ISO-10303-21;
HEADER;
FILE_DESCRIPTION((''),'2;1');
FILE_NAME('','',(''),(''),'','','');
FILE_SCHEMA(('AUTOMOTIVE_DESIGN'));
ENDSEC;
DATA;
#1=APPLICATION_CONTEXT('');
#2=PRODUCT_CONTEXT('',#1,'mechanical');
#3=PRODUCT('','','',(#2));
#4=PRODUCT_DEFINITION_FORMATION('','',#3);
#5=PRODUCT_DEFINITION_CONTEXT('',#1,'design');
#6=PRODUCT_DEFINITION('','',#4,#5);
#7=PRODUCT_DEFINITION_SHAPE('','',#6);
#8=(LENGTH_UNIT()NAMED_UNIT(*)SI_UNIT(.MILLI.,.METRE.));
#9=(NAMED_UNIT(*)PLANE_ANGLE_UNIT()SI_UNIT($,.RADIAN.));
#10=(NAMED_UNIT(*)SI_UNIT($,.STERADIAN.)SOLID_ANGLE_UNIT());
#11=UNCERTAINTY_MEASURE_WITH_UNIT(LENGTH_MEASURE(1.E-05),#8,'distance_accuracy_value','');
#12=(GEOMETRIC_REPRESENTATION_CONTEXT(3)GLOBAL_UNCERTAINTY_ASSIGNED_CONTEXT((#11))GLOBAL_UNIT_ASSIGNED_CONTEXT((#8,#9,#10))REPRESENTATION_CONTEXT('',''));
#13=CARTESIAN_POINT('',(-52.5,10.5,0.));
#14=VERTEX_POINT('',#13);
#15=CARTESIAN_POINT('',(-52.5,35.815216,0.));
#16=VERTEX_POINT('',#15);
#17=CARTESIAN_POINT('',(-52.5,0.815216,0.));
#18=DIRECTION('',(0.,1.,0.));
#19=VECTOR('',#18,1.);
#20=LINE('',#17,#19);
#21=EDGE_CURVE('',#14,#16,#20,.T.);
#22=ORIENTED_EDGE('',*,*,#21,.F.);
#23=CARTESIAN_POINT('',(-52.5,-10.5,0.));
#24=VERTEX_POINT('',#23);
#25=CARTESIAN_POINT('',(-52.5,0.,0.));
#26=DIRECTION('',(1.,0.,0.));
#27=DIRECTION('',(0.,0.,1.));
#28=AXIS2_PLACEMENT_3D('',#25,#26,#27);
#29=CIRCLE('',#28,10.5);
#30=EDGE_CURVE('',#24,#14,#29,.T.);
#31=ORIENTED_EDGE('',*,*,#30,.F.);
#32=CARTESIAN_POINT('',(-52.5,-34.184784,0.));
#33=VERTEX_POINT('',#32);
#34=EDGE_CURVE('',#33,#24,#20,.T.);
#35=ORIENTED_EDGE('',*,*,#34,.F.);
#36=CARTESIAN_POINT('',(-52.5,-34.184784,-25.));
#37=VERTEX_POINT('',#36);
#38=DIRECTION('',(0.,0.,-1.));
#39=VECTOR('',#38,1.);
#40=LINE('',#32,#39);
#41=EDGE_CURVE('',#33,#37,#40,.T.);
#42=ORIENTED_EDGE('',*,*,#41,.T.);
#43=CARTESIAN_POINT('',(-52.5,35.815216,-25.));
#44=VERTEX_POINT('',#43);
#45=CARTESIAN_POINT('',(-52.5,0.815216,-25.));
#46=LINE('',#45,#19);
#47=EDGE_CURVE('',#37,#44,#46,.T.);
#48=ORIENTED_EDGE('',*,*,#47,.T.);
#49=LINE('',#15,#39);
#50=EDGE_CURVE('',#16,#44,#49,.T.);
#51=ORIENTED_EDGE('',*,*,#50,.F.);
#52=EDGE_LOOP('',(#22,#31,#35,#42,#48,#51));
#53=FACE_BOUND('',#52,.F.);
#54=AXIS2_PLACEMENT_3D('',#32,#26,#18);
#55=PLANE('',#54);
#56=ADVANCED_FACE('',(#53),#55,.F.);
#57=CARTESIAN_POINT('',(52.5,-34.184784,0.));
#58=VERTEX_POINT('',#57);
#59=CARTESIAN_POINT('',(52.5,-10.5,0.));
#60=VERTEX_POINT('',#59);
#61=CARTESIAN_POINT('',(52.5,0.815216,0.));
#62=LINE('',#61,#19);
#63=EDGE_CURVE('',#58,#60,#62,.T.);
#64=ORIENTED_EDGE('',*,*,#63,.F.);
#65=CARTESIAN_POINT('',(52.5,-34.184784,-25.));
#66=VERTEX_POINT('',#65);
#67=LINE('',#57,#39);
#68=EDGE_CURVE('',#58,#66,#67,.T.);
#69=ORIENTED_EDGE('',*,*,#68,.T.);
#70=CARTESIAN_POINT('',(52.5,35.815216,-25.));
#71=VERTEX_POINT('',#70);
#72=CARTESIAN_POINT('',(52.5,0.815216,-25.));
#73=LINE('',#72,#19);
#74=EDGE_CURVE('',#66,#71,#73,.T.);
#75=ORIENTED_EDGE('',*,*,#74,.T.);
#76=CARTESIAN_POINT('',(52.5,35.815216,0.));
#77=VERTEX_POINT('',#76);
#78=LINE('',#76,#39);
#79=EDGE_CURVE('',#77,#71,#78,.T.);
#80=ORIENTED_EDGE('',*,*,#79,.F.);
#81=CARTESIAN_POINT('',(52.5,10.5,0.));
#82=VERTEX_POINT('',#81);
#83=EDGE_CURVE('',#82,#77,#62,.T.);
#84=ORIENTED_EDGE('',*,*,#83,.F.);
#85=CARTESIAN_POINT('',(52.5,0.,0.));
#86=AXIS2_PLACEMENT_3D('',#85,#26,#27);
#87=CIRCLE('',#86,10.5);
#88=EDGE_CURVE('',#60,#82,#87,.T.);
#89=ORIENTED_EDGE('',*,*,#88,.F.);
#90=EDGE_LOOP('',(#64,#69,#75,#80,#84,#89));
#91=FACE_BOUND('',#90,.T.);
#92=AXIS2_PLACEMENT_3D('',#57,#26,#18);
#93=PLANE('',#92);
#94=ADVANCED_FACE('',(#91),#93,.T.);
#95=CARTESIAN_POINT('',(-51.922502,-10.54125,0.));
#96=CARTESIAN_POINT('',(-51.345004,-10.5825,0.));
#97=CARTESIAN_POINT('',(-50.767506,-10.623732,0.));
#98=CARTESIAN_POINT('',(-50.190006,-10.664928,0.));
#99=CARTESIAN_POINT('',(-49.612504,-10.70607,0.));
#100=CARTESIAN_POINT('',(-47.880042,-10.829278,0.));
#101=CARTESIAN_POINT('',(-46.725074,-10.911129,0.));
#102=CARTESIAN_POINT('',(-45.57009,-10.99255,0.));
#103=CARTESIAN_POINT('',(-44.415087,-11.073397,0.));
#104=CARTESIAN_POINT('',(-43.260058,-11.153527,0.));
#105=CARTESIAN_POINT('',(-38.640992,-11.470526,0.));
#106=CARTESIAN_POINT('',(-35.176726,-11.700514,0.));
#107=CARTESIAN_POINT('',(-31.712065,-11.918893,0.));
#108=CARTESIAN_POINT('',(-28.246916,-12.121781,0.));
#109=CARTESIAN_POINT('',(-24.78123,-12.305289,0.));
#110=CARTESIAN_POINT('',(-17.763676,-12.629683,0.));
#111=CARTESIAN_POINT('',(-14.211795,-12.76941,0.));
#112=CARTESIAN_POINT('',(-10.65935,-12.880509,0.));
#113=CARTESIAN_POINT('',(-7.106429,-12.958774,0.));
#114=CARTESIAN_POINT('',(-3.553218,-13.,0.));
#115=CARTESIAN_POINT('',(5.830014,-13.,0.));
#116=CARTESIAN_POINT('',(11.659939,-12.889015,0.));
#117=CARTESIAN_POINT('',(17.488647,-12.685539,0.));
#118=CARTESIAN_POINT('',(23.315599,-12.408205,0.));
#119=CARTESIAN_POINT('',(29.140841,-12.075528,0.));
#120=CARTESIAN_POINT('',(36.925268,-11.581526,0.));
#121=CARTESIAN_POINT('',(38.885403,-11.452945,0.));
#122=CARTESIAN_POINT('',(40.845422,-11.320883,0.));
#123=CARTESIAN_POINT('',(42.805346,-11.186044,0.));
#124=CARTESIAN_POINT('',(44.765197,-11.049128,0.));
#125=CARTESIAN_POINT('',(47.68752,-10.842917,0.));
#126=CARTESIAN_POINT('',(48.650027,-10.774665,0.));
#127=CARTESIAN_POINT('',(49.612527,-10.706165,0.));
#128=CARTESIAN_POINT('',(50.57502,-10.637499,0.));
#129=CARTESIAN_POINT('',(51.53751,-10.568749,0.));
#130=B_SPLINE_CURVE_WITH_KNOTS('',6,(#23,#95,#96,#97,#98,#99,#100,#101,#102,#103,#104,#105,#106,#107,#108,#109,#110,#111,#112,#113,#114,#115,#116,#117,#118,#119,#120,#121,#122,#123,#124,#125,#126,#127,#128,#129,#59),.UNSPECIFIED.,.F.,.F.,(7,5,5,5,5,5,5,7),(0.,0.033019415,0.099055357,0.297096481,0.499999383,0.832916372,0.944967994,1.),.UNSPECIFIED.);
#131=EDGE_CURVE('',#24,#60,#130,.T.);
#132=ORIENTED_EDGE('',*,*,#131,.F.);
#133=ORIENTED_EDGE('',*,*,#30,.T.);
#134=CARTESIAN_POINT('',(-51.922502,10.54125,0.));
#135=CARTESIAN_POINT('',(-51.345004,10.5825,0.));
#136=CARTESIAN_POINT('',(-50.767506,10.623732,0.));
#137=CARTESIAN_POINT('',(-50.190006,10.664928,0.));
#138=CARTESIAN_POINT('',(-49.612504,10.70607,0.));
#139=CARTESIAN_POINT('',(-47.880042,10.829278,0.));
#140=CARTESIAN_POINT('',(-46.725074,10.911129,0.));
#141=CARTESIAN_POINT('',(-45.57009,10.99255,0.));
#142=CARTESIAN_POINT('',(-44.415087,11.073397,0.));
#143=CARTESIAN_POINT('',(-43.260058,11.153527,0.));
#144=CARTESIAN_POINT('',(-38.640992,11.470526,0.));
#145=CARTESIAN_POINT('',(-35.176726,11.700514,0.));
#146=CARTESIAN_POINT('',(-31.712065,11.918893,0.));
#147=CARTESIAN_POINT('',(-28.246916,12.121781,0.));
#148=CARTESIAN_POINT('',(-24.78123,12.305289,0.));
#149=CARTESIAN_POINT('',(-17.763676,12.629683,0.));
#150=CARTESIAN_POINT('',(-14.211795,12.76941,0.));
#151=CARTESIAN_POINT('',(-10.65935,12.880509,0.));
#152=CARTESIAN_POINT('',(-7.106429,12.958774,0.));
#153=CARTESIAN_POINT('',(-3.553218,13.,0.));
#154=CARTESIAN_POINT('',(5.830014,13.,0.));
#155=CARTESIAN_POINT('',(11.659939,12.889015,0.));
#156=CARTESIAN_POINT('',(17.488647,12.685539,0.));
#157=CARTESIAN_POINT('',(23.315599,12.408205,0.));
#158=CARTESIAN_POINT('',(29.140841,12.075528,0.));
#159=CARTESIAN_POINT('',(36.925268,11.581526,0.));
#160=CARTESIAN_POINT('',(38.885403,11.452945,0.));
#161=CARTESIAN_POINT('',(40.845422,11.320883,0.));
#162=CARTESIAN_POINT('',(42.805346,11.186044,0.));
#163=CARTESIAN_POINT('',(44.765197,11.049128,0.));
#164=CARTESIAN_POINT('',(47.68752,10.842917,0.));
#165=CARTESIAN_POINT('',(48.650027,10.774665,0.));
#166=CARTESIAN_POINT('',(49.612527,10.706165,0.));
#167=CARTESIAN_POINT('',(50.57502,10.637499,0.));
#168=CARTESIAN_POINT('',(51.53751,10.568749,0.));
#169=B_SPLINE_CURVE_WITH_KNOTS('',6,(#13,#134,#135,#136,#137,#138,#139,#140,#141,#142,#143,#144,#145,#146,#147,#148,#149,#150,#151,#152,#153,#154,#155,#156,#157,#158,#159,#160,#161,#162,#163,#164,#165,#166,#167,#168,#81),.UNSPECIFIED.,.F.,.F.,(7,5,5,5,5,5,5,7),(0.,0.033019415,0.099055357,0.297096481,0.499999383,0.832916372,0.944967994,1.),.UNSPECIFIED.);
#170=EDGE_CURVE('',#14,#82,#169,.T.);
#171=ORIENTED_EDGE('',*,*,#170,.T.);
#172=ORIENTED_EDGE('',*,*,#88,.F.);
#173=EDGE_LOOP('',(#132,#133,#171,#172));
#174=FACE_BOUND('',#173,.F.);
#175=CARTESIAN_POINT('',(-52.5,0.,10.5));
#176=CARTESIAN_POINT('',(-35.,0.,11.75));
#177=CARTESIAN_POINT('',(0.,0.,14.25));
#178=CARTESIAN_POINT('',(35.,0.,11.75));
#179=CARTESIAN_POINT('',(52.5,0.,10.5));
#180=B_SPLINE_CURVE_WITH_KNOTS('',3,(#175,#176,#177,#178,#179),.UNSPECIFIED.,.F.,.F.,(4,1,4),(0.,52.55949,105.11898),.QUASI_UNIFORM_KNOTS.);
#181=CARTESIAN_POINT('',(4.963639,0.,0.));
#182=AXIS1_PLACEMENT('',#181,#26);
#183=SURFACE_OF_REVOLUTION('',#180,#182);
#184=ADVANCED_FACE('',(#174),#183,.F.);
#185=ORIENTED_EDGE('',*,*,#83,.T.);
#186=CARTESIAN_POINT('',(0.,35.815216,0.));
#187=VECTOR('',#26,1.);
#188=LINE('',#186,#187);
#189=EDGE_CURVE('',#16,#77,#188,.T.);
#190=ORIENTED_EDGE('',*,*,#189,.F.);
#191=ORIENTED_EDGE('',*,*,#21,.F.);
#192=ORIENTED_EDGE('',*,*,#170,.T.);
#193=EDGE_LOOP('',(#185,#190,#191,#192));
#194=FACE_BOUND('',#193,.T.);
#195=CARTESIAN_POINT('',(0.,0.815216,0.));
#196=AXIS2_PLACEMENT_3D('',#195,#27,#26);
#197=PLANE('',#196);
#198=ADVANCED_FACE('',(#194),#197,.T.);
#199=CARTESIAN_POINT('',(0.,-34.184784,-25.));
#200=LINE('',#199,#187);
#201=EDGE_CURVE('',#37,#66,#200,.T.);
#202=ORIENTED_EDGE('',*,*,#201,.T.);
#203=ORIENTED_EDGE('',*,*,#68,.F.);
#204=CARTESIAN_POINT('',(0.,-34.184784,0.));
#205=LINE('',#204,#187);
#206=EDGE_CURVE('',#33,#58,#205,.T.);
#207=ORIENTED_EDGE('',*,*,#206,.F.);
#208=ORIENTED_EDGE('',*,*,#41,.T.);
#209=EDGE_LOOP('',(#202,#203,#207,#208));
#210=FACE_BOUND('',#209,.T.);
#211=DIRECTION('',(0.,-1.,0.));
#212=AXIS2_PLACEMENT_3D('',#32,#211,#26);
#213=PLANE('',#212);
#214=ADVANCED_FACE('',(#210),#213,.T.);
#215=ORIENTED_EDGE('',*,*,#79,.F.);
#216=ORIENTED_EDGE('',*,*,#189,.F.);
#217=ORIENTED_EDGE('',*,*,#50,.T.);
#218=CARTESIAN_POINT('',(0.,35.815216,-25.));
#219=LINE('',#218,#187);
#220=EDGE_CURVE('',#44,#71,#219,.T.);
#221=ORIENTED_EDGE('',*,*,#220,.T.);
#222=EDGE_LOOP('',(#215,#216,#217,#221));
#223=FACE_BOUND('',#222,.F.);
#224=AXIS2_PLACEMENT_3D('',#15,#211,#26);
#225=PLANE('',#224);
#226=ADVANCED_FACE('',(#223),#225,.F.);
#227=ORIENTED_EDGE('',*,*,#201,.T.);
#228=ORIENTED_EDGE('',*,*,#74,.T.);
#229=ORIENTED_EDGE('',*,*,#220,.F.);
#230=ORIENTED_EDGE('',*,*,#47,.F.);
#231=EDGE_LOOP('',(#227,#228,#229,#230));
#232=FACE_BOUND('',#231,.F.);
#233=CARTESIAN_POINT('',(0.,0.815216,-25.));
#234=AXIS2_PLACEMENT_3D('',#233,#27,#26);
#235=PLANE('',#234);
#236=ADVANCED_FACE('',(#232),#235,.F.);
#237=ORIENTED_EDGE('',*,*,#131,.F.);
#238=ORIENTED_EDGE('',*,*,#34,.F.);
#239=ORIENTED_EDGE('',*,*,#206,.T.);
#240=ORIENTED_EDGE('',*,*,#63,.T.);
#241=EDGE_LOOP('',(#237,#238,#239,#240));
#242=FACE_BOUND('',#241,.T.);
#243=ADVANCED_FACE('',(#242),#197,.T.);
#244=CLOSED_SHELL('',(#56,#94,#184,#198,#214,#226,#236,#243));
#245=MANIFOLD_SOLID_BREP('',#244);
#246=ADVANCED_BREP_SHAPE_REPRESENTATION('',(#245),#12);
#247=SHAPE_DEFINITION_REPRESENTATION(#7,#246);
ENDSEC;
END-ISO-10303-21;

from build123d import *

# Parameters (mm, degrees)
F1_W     = 105
F1_H     = 70
F2_DEPTH = 25
F4_ANGLE = -180


with BuildPart() as f2:
    # F1 (on Top) → F2 (new body)
    with BuildSketch(Plane.XY):
        with Locations((0, 0.815216)):
            Rectangle(F1_W, F1_H)
    extrude(amount=-F2_DEPTH)

    # F0 (on Front) → F3 (revolve, cut)
    with BuildSketch(Plane.XZ):
        with BuildLine():
            Line((-52.5, 10.5), (-52.5, 0))
            Line((-52.5, 0), (52.5, 0))
            Line((52.5, 0), (52.5, 10.5))
            add(Edge.make_bspline(
                [(-52.5, 10.5), (-35, 11.75), (0, 14.25), (35, 11.75), (52.5, 10.5)],
                knots=[0, 0, 0, 0, 52.55949, 105.11898, 105.11898, 105.11898, 105.11898], degree=3))
        make_face()
    revolve(axis=Axis((4.963639, 0, 0), (1, 0, 0)), mode=Mode.SUBTRACT)


with BuildPart() as f4_1:
    # F4: copy of F2
    add(f2.part.rotate(Axis((52.5, 0, 0), (1, 0, 0)), F4_ANGLE))


solid = f2.part
